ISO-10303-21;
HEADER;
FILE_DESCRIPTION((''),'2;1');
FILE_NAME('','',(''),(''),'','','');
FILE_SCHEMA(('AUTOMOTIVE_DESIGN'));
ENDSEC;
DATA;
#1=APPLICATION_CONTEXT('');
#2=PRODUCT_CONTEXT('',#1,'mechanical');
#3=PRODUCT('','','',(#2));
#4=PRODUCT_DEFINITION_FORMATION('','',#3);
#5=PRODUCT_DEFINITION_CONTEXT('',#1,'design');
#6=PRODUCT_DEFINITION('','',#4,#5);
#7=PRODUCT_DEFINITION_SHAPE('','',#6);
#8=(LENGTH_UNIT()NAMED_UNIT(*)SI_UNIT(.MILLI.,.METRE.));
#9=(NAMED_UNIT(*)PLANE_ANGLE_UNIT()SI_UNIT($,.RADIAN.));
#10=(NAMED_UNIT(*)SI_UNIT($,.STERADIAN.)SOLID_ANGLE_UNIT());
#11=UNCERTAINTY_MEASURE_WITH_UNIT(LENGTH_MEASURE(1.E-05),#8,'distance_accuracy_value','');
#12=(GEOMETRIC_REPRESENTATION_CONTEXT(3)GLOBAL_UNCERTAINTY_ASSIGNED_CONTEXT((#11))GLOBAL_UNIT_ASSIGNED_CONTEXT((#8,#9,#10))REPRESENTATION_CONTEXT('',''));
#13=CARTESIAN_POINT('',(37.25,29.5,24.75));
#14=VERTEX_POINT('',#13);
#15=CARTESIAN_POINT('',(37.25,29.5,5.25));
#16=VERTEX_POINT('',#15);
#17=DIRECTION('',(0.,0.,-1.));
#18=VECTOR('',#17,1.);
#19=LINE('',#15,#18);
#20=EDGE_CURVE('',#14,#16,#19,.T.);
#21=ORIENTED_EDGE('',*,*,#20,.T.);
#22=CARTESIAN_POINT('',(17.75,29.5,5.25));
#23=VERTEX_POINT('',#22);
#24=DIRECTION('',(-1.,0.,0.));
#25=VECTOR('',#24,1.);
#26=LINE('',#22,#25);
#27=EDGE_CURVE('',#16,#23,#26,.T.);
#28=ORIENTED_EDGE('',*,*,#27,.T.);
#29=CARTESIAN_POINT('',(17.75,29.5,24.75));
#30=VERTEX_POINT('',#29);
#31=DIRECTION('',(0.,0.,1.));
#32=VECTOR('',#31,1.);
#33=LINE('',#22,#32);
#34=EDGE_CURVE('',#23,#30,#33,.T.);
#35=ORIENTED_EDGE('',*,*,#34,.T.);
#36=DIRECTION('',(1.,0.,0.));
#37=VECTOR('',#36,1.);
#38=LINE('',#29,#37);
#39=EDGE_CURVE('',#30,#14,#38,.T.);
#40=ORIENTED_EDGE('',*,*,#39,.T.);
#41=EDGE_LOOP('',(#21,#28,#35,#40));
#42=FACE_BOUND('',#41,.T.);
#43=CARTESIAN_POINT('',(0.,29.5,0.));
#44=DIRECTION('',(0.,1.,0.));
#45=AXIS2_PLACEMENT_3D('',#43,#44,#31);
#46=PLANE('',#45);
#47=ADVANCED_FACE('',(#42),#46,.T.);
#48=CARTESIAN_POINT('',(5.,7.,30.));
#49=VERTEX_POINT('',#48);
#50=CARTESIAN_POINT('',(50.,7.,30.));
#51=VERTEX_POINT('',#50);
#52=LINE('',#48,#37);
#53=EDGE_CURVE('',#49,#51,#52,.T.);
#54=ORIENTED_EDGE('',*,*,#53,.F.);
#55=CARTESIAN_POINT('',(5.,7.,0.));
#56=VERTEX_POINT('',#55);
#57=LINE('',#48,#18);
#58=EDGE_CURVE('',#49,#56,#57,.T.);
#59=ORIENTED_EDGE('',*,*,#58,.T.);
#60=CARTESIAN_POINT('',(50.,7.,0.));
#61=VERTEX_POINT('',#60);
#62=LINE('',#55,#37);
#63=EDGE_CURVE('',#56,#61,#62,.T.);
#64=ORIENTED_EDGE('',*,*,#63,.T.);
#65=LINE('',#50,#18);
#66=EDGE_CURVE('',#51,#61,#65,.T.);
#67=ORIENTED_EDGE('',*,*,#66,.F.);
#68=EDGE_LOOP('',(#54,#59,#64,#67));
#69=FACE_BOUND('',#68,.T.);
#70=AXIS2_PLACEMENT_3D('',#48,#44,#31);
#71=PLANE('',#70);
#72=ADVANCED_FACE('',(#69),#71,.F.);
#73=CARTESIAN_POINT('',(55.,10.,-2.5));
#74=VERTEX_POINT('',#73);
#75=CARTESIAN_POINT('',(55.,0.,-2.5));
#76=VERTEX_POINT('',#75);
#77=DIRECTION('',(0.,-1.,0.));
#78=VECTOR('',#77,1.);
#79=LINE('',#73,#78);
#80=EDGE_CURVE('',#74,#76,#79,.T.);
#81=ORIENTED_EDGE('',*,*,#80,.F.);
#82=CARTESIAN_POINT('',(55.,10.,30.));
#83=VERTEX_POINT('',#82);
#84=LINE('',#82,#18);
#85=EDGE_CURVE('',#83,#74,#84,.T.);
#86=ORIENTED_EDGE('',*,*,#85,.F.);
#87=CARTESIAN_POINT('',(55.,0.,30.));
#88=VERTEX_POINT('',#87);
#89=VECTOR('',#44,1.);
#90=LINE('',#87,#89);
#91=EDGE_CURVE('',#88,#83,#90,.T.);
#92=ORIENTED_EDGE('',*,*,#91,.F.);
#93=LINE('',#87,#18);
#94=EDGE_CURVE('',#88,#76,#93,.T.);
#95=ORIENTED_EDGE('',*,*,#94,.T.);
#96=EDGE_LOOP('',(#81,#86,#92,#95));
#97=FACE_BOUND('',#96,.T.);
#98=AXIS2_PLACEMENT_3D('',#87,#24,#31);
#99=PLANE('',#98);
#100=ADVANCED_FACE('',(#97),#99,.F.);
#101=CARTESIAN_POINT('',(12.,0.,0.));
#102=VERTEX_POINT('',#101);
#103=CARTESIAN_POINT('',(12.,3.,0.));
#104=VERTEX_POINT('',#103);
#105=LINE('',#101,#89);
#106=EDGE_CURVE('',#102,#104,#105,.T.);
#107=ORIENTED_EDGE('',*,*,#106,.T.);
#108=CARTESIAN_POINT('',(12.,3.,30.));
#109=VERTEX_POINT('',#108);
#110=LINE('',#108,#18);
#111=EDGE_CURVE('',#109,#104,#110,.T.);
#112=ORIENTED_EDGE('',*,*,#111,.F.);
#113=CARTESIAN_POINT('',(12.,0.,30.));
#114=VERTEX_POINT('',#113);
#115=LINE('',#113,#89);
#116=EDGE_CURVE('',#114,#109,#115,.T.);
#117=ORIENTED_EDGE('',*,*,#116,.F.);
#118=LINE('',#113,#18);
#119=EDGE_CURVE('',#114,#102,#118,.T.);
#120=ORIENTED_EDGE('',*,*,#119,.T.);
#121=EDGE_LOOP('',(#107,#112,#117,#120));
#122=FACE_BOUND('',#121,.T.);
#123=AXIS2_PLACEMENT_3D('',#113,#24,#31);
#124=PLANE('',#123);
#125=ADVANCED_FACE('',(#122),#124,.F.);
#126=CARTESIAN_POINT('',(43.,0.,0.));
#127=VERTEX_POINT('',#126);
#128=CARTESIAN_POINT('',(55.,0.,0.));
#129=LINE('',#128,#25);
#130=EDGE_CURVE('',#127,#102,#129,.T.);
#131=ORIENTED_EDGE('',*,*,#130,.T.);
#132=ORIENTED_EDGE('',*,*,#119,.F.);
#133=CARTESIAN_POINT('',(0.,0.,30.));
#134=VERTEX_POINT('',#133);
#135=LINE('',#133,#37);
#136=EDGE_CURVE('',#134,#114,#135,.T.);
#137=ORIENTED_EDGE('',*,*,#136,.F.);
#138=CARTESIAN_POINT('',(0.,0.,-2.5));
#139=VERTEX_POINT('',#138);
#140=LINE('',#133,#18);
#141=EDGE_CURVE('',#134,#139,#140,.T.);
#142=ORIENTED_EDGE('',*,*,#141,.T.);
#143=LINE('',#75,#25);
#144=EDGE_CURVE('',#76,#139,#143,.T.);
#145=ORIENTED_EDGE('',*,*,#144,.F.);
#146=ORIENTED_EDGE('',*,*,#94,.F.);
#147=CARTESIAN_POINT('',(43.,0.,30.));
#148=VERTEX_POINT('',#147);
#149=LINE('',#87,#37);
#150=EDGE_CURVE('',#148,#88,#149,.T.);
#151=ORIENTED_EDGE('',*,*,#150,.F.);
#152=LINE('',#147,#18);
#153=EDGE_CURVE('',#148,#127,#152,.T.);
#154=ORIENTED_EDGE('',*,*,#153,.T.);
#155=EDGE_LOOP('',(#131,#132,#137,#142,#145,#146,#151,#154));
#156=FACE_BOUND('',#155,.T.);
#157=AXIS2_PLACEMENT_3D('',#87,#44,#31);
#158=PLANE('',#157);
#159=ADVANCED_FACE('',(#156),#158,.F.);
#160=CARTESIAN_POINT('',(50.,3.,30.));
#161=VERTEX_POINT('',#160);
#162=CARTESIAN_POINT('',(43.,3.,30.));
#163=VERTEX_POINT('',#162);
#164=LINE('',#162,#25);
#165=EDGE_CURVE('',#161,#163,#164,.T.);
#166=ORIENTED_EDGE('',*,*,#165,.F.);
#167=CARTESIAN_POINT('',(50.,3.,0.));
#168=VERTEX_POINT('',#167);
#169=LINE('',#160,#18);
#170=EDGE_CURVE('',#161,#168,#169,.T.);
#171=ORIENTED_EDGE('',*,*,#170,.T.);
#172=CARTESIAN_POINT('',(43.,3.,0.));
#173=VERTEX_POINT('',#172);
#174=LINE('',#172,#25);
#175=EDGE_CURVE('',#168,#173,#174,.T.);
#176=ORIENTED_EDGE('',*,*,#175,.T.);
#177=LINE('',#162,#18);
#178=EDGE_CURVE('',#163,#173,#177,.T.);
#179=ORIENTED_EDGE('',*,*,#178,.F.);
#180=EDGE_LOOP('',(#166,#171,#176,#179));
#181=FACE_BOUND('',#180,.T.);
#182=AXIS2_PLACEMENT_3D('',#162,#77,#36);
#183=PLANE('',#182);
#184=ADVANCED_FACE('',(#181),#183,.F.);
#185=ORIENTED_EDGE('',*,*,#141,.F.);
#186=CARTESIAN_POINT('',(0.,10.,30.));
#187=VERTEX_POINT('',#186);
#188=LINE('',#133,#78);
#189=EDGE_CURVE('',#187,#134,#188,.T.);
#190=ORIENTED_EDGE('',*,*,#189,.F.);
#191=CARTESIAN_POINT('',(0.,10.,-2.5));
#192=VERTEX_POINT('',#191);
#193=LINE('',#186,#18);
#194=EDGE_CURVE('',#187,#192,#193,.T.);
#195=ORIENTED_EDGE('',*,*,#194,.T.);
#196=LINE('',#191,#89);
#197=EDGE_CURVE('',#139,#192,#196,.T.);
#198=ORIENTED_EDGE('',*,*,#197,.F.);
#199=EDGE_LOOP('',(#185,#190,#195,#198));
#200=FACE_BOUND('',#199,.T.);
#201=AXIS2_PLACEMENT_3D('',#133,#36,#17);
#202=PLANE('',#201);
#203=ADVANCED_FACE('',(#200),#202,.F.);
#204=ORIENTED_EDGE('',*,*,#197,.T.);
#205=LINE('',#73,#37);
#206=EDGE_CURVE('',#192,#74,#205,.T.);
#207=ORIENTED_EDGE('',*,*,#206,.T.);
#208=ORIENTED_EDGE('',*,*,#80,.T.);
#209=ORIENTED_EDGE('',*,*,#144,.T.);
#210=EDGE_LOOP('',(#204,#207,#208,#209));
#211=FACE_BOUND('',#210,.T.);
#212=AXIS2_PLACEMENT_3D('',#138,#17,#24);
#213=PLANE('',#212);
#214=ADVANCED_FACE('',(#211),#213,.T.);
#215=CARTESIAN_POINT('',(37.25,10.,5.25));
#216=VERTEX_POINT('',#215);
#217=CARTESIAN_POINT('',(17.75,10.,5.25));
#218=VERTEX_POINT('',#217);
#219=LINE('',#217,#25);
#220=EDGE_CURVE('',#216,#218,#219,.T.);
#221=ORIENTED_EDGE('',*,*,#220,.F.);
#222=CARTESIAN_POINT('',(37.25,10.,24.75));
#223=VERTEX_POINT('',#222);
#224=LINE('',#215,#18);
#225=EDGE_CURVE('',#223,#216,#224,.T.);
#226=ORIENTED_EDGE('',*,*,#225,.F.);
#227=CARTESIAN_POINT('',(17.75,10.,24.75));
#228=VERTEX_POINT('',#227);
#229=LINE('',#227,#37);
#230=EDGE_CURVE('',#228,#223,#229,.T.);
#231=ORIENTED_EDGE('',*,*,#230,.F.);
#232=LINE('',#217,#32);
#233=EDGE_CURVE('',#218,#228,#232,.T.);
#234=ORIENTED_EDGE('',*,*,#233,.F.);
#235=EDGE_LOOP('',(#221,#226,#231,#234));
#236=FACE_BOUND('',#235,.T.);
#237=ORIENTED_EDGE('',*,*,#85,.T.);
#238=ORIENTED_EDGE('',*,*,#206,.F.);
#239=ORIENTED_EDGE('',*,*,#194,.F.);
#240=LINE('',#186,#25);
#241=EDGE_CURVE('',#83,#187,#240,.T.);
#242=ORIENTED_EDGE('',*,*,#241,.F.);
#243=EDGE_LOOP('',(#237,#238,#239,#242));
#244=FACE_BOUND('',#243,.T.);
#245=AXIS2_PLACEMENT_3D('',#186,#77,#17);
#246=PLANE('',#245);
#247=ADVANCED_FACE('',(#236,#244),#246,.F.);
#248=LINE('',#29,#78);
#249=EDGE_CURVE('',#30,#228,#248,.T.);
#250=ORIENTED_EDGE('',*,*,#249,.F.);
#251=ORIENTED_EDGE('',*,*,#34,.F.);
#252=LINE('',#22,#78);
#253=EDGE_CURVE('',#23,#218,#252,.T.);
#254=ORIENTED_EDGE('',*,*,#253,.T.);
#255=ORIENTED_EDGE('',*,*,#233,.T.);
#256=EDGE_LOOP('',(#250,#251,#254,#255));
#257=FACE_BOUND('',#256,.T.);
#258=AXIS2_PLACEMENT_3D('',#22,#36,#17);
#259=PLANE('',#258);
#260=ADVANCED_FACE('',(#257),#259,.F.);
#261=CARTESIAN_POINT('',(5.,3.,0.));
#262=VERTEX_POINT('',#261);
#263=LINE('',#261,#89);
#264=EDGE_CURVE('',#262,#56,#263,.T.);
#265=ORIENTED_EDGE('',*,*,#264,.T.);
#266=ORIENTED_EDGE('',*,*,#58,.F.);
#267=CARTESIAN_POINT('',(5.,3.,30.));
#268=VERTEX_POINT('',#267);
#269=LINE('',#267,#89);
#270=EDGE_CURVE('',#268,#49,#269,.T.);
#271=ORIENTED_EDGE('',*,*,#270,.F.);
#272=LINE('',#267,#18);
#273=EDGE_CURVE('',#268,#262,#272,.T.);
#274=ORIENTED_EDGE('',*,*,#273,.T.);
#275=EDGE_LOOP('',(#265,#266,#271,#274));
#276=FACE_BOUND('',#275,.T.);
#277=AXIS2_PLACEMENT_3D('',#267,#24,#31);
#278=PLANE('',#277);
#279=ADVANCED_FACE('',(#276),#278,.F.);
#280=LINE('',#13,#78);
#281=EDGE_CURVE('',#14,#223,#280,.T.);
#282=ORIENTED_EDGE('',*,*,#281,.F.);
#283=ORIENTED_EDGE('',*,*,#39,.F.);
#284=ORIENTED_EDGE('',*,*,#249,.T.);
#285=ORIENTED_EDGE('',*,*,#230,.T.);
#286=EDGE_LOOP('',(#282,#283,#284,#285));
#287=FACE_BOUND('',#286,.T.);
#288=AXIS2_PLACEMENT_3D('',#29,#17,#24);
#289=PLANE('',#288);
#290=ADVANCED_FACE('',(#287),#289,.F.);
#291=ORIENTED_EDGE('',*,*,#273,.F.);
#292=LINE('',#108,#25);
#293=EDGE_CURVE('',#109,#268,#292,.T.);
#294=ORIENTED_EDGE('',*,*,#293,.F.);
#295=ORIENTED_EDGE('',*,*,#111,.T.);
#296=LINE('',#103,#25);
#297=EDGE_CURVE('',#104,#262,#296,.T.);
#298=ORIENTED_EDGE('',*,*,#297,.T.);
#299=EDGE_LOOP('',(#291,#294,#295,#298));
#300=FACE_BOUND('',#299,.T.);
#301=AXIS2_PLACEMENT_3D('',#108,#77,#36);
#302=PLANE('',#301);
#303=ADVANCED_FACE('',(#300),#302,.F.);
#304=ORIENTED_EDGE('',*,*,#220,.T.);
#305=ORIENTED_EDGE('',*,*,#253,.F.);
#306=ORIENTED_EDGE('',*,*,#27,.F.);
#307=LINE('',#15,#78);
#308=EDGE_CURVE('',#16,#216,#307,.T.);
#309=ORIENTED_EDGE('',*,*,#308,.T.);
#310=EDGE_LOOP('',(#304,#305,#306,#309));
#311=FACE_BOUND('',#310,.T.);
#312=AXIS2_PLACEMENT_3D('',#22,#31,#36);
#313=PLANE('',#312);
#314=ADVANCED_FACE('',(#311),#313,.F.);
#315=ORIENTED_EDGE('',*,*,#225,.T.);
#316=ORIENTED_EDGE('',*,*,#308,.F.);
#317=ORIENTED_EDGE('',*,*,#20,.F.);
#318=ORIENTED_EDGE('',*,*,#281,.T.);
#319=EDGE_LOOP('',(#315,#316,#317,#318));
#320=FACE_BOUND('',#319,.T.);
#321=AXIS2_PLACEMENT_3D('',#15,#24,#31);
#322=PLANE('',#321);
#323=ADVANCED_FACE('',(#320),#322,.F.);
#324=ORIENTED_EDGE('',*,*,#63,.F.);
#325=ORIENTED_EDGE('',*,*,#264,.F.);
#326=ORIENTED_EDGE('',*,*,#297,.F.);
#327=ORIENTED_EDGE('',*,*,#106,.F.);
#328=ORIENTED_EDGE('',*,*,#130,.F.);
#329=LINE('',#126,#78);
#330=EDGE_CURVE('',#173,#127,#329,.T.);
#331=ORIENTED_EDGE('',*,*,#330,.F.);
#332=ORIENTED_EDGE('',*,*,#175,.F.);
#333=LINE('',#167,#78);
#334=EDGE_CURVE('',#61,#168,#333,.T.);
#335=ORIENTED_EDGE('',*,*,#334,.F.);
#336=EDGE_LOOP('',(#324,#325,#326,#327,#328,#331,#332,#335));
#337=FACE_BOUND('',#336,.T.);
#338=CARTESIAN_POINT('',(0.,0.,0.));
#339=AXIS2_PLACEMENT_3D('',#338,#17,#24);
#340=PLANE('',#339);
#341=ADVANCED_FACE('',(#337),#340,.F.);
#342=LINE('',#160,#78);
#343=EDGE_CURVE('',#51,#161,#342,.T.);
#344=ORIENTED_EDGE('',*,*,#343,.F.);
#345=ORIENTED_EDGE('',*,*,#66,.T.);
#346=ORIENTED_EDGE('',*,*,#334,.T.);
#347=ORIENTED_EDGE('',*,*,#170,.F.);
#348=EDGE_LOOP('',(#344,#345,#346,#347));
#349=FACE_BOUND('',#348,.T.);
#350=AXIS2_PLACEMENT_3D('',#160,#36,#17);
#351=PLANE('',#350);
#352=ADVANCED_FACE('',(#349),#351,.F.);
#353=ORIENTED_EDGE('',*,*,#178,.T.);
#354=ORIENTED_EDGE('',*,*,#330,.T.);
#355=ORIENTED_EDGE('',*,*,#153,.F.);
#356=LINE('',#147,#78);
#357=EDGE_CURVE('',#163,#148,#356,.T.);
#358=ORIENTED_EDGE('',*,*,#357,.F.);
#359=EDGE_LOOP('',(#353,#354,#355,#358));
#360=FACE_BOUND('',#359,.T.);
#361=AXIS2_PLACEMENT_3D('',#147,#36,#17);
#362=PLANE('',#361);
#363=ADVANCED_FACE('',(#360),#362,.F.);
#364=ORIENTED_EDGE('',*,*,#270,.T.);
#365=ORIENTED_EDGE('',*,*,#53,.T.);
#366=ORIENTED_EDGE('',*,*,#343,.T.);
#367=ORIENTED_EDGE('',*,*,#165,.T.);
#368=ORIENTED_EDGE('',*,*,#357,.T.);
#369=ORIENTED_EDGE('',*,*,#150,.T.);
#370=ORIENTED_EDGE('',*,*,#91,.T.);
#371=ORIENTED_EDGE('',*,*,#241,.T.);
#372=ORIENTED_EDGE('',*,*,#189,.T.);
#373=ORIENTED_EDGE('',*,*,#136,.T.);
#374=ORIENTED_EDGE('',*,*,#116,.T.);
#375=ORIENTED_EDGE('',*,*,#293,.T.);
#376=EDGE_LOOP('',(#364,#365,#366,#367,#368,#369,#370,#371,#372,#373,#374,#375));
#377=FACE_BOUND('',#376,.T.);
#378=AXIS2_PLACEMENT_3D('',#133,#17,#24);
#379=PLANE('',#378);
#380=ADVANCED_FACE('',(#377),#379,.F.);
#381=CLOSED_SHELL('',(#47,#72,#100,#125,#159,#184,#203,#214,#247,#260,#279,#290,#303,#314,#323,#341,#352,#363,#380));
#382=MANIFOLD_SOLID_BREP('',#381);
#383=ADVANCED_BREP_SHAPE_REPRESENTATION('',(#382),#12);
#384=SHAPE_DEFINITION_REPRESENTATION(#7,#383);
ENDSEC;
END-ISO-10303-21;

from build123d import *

# Parameters (mm, degrees)
BOSS_EXTRUDE1_DEPTH = 30
SKETCH2_W           = 19.5
SKETCH2_H           = 19.5
BOSS_EXTRUDE2_DEPTH = 19.5
SKETCH3_W           = 55
SKETCH3_H           = 10
BOSS_EXTRUDE3_DEPTH = 2.5


with BuildPart() as part:
    # Sketch1 → Boss-Extrude1 (new body)
    with BuildSketch(Plane.XY):
        Polygon((12, 0), (12, 3), (5, 3), (5, 7), (50, 7), (50, 3), (43, 3), (43, 0), (55, 0), (55, 10), (0, 10), (0, 0), align=None)
    extrude(amount=BOSS_EXTRUDE1_DEPTH)

    # Sketch2 → Boss-Extrude2 (add)
    with BuildSketch(Plane(origin=(0, 10, 0), x_dir=(1, 0, 0), z_dir=(0, 1, 0))):
        with Locations((27.5, -15)):
            Rectangle(SKETCH2_W, SKETCH2_H)
    extrude(amount=BOSS_EXTRUDE2_DEPTH)

    # Sketch3 → Boss-Extrude3 (add)
    with BuildSketch(Plane(origin=(0, 0, 0), x_dir=(-1, 0, 0), z_dir=(0, 0, -1))):
        with Locations((-27.5, 5)):
            Rectangle(SKETCH3_W, SKETCH3_H)
    extrude(amount=BOSS_EXTRUDE3_DEPTH)


solid = part.part
